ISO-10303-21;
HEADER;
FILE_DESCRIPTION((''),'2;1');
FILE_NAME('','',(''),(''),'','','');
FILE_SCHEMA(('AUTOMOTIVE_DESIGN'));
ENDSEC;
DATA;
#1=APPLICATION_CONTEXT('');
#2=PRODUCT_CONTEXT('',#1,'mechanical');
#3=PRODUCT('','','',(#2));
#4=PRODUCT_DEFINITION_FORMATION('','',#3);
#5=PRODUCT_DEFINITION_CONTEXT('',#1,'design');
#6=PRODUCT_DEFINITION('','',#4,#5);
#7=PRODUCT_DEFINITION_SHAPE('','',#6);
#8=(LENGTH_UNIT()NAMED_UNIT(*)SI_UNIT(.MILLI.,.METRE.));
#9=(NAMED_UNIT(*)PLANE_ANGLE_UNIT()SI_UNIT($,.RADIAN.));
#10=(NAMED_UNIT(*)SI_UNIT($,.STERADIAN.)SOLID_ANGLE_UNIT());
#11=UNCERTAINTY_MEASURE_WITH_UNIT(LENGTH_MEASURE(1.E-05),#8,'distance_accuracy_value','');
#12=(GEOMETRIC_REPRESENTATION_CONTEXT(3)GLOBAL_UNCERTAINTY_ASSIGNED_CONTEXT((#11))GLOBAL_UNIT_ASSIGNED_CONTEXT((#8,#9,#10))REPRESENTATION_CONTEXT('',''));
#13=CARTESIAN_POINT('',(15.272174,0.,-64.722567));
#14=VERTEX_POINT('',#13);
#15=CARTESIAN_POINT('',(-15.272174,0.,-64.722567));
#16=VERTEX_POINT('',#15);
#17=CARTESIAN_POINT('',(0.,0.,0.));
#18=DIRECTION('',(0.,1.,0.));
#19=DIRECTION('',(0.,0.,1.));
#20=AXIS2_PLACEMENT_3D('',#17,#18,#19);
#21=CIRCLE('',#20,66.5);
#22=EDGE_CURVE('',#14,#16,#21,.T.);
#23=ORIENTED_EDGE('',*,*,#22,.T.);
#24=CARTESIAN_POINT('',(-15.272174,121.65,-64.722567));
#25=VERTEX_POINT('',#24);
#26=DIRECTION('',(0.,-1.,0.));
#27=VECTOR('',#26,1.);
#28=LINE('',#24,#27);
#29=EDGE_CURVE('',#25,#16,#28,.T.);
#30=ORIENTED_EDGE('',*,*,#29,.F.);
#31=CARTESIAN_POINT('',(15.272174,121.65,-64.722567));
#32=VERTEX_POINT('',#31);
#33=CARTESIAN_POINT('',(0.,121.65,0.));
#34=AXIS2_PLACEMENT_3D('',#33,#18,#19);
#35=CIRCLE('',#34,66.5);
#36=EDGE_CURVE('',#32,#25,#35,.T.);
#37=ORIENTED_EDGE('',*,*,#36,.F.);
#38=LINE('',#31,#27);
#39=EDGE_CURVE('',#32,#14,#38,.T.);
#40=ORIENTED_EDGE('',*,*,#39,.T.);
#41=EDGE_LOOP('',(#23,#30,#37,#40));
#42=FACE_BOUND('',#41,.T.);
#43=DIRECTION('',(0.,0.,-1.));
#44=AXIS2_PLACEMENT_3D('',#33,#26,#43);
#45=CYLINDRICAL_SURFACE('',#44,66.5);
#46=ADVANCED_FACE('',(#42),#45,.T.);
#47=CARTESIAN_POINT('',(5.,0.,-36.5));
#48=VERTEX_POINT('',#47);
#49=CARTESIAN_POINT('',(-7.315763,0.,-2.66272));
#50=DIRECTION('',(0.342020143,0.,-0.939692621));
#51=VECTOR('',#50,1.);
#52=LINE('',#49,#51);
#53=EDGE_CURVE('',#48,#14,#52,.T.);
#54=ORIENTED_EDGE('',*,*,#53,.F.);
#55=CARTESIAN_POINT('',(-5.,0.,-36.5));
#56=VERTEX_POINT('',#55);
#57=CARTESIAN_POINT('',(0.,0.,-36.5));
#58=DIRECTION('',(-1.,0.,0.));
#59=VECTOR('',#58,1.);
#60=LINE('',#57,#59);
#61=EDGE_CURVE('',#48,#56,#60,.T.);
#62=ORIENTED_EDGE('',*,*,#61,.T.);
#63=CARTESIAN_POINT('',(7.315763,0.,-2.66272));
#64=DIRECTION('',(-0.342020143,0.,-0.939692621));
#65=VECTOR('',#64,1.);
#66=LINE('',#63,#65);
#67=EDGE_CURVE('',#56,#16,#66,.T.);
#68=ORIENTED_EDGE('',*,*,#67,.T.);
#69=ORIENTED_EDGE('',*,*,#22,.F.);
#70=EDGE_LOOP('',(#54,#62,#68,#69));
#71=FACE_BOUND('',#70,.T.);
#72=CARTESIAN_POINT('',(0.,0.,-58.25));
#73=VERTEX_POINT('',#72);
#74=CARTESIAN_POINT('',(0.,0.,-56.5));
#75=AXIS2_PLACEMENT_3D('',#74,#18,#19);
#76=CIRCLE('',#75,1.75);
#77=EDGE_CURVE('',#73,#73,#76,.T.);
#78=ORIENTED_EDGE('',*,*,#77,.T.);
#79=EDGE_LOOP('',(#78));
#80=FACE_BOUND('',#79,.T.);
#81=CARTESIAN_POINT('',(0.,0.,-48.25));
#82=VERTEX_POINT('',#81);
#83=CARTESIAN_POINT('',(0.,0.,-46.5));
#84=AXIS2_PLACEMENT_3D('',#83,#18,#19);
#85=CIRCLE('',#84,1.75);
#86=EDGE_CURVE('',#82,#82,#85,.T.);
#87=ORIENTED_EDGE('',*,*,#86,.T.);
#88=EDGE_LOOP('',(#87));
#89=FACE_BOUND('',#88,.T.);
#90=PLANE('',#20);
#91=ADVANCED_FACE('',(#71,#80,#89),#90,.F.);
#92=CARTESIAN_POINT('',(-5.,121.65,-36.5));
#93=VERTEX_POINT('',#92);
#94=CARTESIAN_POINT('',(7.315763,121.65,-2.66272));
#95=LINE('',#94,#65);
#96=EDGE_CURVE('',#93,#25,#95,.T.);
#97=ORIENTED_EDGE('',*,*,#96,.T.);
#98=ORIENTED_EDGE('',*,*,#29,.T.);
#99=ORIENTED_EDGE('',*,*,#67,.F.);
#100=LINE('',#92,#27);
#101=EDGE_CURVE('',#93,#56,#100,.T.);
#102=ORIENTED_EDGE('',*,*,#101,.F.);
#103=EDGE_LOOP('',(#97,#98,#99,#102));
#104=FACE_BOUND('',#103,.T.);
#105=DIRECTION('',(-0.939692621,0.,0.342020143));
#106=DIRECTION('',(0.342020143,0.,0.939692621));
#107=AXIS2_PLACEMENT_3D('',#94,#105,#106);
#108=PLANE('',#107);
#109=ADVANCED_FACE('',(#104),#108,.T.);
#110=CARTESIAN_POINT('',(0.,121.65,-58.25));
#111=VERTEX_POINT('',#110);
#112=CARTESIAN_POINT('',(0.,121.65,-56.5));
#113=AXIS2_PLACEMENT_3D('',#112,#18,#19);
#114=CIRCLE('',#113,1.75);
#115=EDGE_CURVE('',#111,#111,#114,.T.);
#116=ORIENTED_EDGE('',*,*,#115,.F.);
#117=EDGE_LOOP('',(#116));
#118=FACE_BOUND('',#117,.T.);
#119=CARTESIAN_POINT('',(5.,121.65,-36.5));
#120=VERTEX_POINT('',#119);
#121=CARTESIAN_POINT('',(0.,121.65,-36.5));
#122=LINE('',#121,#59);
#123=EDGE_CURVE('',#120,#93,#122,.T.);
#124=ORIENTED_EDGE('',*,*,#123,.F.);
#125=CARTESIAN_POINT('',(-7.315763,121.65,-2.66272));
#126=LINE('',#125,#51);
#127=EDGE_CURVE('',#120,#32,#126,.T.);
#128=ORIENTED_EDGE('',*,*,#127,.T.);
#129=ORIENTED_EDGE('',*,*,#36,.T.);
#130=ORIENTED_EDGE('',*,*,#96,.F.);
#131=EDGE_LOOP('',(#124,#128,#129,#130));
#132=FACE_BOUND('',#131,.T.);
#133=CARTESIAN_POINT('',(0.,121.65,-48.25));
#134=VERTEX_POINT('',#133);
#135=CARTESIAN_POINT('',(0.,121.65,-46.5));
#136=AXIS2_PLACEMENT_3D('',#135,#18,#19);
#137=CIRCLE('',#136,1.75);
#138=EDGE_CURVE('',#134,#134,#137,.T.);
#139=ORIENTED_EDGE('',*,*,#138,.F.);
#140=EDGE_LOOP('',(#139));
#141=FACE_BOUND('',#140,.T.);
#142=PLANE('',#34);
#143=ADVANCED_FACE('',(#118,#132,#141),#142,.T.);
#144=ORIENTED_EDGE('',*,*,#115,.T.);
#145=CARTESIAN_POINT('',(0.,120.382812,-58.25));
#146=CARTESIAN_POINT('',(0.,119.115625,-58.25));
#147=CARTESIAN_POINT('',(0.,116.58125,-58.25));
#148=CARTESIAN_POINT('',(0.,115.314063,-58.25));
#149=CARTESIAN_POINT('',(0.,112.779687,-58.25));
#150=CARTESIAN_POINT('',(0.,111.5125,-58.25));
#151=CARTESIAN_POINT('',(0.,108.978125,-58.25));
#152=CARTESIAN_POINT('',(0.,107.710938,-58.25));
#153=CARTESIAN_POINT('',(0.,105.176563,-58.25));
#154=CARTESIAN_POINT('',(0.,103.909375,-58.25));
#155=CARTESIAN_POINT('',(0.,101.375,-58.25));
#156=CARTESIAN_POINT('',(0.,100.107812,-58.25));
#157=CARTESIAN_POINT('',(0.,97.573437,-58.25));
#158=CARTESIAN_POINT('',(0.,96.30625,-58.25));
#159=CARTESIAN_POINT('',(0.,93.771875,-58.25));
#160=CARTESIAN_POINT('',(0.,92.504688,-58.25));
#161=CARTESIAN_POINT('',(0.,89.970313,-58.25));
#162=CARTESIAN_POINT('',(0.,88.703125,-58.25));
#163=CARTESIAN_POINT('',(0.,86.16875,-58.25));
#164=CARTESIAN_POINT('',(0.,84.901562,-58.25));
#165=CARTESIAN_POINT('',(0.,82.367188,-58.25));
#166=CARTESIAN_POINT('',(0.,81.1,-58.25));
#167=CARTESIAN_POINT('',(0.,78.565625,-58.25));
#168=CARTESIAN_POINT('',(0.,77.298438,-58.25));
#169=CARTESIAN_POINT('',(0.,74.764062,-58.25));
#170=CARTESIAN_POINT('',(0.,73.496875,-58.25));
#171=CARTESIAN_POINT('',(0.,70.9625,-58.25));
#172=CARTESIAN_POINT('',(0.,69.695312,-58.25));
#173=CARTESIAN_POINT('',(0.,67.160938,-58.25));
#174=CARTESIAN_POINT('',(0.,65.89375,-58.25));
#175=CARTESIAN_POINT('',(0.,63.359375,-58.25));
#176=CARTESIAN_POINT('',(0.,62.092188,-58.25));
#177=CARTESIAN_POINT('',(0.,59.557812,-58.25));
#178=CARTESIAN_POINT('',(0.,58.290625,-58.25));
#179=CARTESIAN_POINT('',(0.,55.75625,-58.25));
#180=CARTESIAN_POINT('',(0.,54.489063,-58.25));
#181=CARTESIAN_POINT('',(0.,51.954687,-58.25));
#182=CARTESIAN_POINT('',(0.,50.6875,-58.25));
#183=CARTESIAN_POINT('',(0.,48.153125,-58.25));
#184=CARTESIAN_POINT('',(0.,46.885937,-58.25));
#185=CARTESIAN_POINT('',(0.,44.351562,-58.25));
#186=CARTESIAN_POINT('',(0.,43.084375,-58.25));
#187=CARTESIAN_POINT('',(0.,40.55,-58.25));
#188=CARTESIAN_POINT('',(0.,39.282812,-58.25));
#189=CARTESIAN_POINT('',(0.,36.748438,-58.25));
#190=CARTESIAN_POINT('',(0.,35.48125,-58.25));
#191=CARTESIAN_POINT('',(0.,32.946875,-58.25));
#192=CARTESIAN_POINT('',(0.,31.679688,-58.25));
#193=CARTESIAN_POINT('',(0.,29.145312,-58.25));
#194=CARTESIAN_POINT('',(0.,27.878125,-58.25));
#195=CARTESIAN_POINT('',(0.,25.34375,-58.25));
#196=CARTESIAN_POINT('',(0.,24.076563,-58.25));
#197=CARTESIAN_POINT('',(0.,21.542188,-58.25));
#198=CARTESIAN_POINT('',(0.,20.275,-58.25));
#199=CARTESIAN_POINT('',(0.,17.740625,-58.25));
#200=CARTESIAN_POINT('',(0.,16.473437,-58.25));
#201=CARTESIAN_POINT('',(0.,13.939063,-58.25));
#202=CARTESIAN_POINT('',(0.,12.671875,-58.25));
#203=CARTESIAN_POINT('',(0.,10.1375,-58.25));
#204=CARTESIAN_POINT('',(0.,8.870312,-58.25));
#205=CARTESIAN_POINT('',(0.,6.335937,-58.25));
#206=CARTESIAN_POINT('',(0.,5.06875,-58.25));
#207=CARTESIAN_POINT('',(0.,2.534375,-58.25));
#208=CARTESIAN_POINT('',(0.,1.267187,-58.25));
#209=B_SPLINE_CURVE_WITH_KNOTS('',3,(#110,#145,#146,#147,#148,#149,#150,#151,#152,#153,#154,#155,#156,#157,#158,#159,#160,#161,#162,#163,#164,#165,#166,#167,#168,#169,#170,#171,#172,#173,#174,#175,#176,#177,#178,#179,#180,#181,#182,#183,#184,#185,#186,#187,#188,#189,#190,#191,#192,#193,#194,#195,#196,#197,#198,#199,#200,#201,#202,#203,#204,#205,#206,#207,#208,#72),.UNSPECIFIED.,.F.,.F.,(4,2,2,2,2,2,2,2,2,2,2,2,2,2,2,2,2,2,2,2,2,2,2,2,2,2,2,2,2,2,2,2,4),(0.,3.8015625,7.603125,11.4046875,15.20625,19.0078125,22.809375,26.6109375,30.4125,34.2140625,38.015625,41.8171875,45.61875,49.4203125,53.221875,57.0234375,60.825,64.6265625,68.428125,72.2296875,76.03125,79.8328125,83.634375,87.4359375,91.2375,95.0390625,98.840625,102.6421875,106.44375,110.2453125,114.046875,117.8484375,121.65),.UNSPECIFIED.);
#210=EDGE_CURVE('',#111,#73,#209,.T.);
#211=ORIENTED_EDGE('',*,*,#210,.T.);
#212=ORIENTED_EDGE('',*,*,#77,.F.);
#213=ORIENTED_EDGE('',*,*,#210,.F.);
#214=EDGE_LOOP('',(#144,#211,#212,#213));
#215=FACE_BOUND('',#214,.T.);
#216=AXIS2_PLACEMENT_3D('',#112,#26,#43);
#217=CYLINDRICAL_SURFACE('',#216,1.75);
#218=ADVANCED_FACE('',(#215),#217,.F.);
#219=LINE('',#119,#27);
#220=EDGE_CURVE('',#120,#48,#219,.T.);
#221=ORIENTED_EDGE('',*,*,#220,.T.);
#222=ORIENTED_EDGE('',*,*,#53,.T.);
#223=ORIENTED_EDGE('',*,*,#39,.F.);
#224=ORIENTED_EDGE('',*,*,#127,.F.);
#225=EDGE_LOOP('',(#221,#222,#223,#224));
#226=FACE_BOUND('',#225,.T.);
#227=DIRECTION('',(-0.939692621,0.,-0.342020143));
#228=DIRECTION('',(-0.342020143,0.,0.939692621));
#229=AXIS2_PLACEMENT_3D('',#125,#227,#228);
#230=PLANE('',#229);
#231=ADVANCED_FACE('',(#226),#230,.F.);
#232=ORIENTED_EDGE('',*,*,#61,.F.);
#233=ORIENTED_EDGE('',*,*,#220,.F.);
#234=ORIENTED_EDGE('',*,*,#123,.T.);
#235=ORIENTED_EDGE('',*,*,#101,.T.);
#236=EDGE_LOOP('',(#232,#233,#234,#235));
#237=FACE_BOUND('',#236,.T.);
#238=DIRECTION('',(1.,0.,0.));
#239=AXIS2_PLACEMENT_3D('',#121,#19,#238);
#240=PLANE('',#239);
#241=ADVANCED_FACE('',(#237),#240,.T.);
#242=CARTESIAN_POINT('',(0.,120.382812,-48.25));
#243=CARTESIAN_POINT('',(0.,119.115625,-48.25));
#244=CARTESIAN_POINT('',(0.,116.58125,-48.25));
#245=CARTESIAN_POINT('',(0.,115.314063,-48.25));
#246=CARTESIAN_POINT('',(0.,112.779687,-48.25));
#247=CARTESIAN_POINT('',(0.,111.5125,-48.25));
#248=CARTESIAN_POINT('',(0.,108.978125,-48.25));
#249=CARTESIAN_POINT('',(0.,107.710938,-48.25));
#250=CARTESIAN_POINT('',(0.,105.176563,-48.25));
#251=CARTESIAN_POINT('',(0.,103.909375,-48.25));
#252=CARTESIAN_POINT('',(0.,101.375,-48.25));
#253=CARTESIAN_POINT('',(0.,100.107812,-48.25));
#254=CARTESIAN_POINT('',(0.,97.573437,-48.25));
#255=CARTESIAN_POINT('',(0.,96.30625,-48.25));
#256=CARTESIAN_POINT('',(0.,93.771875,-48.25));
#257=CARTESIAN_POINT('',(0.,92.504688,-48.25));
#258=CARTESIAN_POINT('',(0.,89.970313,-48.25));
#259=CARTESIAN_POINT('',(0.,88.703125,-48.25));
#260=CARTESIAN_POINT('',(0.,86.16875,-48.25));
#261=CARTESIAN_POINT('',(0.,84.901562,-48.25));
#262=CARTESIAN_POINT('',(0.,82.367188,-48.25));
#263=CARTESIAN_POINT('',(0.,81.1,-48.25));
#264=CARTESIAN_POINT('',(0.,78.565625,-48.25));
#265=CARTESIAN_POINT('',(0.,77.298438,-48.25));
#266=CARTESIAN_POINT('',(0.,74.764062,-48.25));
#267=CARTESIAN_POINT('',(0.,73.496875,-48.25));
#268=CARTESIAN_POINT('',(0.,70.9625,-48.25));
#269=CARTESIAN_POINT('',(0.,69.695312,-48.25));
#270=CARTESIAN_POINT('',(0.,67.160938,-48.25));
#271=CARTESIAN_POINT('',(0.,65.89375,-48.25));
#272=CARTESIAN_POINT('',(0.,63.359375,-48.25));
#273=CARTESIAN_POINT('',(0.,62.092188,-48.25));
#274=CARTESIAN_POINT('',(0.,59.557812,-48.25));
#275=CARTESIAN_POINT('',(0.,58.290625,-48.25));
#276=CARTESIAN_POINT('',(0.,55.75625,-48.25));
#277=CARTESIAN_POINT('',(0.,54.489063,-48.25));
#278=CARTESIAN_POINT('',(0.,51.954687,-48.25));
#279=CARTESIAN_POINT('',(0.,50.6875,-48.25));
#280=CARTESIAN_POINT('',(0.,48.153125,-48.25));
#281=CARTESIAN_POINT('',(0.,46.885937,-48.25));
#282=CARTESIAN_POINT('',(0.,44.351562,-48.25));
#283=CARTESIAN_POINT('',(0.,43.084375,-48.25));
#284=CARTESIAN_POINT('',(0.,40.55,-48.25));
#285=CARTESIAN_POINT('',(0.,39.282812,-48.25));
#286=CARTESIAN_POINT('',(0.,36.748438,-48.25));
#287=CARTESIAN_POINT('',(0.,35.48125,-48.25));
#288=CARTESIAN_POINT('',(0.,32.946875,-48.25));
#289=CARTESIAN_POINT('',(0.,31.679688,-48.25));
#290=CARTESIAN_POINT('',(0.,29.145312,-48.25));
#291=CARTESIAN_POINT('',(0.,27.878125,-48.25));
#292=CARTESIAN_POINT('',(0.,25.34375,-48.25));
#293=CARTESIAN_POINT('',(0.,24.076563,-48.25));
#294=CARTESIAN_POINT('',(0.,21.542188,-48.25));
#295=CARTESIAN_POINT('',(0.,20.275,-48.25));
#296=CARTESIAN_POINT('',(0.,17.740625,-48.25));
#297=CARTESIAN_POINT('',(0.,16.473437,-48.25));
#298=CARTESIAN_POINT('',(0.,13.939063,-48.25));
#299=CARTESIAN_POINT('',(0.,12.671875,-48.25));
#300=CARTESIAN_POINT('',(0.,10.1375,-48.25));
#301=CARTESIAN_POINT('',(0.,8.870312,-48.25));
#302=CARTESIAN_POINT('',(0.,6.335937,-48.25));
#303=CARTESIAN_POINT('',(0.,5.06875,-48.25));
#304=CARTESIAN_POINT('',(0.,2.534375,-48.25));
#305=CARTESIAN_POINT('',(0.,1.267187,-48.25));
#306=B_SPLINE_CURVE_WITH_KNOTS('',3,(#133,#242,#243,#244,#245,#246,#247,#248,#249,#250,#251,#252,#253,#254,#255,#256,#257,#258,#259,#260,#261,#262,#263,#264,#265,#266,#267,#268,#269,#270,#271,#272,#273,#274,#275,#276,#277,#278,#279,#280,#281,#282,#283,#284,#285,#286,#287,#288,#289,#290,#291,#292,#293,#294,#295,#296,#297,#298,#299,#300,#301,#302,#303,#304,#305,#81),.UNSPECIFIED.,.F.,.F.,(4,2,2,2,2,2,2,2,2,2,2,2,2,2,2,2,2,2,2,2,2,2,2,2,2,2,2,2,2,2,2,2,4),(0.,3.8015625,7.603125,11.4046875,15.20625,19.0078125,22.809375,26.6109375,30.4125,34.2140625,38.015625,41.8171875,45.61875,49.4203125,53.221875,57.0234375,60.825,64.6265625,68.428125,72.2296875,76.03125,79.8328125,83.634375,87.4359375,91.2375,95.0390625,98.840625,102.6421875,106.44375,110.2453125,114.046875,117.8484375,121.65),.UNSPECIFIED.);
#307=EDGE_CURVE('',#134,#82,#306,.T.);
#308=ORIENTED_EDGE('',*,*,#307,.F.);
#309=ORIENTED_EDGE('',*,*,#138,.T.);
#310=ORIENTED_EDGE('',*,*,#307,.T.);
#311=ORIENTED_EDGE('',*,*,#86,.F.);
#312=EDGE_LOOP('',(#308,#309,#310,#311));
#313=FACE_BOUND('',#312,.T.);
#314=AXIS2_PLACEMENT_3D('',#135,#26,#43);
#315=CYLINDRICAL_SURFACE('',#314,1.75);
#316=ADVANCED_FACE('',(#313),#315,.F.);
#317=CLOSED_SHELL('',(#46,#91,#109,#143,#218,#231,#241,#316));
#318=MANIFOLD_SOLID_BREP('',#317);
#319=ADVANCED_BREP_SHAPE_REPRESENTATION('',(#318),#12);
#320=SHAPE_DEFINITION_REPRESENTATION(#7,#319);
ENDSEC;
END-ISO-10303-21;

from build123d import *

# Parameters (mm, degrees)
BOSS_EXTRUDE1_DEPTH = 121.65


with BuildPart() as part:
    # Sketch1 → Boss-Extrude1 (new body)
    with BuildSketch(Plane(origin=(0, 0, 0), x_dir=(1, 0, 0), z_dir=(0, 1, 0))):
        with BuildLine():
            Line((-5, 36.5), (0, 36.5))
            Line((0, 36.5), (0, 44.75))
            ThreePointArc((0, 44.75), (-1.75, 46.5), (0, 48.25))
            Line((0, 48.25), (0, 54.75))
            ThreePointArc((0, 54.75), (-1.75, 56.5), (0, 58.25))
            Line((0, 58.25), (0, 66.5))
            ThreePointArc((0, 66.5), (-7.687629304, 66.05414715), (-15.272174355, 64.722567088))
            Line((-15.272174355, 64.722567088), (-5, 36.5))
        make_face()
        with BuildLine():
            Line((0, 44.75), (0, 36.5))
            Line((0, 36.5), (5, 36.5))
            Line((5, 36.5), (15.272174355, 64.722567088))
            ThreePointArc((15.272174355, 64.722567088), (7.687629304, 66.05414715), (0, 66.5))
            Line((0, 66.5), (0, 58.25))
            ThreePointArc((0, 58.25), (1.237436867, 57.737436867), (1.75, 56.5))
            ThreePointArc((1.75, 56.5), (1.237436867, 55.262563133), (0, 54.75))
            Line((0, 54.75), (0, 48.25))
            ThreePointArc((0, 48.25), (1.237436867, 47.737436867), (1.75, 46.5))
            ThreePointArc((1.75, 46.5), (1.237436867, 45.262563133), (0, 44.75))
        make_face()
    extrude(amount=BOSS_EXTRUDE1_DEPTH)


solid = part.part
